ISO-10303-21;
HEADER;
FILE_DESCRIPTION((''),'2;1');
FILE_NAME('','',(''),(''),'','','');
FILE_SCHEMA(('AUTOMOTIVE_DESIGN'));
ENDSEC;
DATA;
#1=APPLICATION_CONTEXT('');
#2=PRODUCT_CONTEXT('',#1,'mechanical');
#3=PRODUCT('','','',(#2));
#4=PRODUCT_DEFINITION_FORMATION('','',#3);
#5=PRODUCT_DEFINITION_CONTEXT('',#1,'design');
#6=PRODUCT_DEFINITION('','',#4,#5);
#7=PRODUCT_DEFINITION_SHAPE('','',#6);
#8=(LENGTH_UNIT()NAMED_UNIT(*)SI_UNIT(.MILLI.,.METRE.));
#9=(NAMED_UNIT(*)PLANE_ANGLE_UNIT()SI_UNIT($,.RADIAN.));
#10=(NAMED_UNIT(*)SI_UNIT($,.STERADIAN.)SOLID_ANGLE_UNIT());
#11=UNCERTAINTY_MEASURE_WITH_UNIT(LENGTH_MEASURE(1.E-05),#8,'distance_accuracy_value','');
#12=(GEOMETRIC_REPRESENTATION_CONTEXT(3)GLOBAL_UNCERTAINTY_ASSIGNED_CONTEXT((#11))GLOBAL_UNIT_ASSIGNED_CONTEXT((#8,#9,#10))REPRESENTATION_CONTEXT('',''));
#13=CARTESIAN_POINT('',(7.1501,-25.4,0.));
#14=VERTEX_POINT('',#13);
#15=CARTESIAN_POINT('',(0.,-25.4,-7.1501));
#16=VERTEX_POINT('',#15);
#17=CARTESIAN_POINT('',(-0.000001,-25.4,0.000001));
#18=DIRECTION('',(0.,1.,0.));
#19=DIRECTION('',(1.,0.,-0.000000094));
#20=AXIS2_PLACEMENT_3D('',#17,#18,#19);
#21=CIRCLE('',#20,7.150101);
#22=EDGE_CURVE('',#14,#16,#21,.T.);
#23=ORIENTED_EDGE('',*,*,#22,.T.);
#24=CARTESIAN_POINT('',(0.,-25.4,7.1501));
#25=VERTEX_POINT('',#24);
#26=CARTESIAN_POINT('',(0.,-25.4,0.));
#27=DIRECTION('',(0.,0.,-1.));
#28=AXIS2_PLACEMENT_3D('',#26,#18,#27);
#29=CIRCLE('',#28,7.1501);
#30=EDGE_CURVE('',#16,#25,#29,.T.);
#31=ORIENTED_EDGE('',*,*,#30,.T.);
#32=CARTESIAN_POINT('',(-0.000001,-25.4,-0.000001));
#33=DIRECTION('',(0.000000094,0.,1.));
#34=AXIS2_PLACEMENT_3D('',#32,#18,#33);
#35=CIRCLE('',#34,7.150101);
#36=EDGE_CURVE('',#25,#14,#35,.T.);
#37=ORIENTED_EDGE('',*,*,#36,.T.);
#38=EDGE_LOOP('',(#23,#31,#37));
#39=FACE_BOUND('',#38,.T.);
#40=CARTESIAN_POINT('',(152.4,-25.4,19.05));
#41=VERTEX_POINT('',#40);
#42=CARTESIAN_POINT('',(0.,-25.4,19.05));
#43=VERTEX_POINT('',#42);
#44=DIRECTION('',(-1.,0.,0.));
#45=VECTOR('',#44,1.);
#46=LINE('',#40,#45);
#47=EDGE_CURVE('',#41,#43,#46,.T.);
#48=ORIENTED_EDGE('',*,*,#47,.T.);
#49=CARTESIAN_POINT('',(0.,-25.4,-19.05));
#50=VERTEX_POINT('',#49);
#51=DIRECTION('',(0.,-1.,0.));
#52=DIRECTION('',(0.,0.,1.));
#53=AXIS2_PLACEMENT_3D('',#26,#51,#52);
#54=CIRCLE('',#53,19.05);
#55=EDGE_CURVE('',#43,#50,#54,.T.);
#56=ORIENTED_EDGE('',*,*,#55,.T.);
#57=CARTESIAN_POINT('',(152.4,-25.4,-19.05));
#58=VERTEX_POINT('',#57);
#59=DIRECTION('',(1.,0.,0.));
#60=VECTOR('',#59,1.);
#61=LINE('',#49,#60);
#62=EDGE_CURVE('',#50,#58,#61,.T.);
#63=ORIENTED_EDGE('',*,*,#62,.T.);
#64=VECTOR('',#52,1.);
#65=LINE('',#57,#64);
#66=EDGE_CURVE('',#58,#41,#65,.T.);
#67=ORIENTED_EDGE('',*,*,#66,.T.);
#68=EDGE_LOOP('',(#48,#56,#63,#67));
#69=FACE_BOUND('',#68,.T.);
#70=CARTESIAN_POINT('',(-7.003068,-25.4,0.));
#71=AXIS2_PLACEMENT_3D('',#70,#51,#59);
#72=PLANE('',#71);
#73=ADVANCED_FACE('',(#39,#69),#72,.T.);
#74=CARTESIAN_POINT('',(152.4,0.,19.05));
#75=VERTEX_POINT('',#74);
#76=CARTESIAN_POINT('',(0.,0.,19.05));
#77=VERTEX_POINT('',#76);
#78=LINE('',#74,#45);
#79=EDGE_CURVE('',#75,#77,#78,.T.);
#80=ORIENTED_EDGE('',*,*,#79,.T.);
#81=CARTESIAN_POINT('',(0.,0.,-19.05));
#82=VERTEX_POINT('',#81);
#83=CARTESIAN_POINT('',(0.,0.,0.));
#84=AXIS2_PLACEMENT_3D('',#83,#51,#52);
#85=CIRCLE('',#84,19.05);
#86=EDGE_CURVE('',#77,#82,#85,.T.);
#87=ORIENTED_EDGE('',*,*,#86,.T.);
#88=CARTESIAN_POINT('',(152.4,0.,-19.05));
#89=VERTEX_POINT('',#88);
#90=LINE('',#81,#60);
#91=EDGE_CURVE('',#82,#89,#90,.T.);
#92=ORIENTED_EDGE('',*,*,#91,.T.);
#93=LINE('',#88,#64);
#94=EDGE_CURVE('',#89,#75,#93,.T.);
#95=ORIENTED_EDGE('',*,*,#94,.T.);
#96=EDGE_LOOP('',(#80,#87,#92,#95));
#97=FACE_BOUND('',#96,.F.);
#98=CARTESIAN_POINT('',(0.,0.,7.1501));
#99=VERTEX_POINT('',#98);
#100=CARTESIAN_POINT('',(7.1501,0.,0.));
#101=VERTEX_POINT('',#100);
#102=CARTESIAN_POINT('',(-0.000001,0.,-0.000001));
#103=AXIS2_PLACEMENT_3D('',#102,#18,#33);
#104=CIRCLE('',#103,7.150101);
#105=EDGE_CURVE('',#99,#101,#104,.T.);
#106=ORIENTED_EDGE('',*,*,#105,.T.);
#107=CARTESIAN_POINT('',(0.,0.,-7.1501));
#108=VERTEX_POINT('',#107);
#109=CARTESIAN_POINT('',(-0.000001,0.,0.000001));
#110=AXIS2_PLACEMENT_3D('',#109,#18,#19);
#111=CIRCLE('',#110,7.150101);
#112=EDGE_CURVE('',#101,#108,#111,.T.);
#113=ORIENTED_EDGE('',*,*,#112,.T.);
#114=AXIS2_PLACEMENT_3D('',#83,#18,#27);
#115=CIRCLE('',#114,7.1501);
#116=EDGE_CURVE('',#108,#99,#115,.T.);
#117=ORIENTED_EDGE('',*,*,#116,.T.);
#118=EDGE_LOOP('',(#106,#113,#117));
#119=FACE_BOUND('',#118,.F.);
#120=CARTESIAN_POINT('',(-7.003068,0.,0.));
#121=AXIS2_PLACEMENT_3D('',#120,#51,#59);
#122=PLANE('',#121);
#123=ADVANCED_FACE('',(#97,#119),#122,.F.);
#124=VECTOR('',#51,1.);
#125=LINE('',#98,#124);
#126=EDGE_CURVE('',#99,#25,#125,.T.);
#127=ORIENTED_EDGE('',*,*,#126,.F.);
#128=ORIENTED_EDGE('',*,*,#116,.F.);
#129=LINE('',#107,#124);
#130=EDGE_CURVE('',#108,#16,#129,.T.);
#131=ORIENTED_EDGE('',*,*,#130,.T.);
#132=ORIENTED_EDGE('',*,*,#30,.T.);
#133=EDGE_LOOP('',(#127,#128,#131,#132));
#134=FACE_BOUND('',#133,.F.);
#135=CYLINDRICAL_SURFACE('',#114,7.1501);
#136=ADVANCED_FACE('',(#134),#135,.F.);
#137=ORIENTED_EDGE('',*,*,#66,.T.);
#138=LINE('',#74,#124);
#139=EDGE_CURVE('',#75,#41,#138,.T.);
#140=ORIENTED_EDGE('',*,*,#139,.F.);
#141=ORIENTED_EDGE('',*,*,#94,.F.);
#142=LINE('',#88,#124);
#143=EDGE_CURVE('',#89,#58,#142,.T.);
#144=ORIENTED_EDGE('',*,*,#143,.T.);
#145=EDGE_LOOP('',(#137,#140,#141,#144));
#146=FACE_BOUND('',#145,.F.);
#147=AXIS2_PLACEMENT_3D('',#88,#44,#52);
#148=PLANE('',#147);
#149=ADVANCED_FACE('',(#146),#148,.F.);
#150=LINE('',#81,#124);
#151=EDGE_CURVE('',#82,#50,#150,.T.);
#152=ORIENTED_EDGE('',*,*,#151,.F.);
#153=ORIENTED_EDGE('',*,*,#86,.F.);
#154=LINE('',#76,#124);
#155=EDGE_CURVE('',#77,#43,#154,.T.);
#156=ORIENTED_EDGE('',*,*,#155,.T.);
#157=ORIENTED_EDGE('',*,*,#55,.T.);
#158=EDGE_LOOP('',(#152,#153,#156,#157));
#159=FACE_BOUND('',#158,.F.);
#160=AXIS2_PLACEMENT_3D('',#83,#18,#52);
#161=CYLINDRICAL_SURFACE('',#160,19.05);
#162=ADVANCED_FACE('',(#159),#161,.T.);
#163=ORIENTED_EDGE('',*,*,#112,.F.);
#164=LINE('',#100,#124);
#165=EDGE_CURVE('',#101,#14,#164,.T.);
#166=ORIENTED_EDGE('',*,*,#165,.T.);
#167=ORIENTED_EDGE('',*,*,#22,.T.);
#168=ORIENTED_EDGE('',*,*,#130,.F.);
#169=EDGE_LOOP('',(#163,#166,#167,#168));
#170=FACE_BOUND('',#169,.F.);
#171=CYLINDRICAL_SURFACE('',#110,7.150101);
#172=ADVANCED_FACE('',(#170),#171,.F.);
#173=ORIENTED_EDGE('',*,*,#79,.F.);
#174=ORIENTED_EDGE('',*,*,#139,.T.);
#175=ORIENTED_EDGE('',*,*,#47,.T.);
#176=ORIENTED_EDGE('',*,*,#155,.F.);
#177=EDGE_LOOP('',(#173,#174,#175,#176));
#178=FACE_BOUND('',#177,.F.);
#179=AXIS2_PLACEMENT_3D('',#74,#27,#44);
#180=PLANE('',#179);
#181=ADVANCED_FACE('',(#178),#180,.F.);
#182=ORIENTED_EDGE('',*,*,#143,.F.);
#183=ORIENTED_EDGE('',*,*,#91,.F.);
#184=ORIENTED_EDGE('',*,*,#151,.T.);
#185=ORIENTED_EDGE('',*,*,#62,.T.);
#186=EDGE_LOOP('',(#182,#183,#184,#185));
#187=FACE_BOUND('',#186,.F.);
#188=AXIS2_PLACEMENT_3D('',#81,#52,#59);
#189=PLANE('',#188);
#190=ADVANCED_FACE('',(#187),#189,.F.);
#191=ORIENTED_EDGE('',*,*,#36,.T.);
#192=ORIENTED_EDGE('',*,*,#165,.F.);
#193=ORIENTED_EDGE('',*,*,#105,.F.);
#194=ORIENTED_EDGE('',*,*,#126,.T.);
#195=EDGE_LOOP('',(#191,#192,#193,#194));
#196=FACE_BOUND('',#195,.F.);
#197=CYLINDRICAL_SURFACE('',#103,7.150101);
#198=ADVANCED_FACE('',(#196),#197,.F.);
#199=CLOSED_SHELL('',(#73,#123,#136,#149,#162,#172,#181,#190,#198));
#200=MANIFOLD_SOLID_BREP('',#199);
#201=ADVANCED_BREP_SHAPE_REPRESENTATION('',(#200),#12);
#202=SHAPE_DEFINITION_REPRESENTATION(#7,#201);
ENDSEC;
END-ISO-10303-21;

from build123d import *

# Parameters (mm, degrees)
F1_DEPTH = 25.4


with BuildPart() as f1:
    # F0 (on Front) → F1 (new body)
    with BuildSketch(Plane.XZ):
        with BuildLine():
            Line((0, 7.1501), (0, 19.05))
            ThreePointArc((0, 19.05), (-19.05, 0), (0, -19.05))
            Line((0, -19.05), (0, -7.1501))
            ThreePointArc((0, -7.1501), (-7.1501, 0), (0, 7.1501))
        make_face()
        with BuildLine():
            ThreePointArc((0, -19.05), (13.470384, -13.470384), (19.05, 0))
            ThreePointArc((19.05, 0), (13.470384, 13.470384), (0, 19.05))
            Line((0, 19.05), (0, 7.1501))
            ThreePointArc((0, 7.1501), (5.055884, 5.055884), (7.1501, 0))
            ThreePointArc((7.1501, 0), (5.055884, -5.055884), (0, -7.1501))
            Line((0, -7.1501), (0, -19.05))
        make_face()
        with BuildLine():
            ThreePointArc((0, 19.05), (13.470384, 13.470384), (19.05, 0))
            ThreePointArc((19.05, 0), (13.470384, -13.470384), (0, -19.05))
            Line((0, -19.05), (152.4, -19.05))
            Line((152.4, -19.05), (152.4, 19.05))
            Line((152.4, 19.05), (0, 19.05))
        make_face()
    extrude(amount=F1_DEPTH)


solid = f1.part
